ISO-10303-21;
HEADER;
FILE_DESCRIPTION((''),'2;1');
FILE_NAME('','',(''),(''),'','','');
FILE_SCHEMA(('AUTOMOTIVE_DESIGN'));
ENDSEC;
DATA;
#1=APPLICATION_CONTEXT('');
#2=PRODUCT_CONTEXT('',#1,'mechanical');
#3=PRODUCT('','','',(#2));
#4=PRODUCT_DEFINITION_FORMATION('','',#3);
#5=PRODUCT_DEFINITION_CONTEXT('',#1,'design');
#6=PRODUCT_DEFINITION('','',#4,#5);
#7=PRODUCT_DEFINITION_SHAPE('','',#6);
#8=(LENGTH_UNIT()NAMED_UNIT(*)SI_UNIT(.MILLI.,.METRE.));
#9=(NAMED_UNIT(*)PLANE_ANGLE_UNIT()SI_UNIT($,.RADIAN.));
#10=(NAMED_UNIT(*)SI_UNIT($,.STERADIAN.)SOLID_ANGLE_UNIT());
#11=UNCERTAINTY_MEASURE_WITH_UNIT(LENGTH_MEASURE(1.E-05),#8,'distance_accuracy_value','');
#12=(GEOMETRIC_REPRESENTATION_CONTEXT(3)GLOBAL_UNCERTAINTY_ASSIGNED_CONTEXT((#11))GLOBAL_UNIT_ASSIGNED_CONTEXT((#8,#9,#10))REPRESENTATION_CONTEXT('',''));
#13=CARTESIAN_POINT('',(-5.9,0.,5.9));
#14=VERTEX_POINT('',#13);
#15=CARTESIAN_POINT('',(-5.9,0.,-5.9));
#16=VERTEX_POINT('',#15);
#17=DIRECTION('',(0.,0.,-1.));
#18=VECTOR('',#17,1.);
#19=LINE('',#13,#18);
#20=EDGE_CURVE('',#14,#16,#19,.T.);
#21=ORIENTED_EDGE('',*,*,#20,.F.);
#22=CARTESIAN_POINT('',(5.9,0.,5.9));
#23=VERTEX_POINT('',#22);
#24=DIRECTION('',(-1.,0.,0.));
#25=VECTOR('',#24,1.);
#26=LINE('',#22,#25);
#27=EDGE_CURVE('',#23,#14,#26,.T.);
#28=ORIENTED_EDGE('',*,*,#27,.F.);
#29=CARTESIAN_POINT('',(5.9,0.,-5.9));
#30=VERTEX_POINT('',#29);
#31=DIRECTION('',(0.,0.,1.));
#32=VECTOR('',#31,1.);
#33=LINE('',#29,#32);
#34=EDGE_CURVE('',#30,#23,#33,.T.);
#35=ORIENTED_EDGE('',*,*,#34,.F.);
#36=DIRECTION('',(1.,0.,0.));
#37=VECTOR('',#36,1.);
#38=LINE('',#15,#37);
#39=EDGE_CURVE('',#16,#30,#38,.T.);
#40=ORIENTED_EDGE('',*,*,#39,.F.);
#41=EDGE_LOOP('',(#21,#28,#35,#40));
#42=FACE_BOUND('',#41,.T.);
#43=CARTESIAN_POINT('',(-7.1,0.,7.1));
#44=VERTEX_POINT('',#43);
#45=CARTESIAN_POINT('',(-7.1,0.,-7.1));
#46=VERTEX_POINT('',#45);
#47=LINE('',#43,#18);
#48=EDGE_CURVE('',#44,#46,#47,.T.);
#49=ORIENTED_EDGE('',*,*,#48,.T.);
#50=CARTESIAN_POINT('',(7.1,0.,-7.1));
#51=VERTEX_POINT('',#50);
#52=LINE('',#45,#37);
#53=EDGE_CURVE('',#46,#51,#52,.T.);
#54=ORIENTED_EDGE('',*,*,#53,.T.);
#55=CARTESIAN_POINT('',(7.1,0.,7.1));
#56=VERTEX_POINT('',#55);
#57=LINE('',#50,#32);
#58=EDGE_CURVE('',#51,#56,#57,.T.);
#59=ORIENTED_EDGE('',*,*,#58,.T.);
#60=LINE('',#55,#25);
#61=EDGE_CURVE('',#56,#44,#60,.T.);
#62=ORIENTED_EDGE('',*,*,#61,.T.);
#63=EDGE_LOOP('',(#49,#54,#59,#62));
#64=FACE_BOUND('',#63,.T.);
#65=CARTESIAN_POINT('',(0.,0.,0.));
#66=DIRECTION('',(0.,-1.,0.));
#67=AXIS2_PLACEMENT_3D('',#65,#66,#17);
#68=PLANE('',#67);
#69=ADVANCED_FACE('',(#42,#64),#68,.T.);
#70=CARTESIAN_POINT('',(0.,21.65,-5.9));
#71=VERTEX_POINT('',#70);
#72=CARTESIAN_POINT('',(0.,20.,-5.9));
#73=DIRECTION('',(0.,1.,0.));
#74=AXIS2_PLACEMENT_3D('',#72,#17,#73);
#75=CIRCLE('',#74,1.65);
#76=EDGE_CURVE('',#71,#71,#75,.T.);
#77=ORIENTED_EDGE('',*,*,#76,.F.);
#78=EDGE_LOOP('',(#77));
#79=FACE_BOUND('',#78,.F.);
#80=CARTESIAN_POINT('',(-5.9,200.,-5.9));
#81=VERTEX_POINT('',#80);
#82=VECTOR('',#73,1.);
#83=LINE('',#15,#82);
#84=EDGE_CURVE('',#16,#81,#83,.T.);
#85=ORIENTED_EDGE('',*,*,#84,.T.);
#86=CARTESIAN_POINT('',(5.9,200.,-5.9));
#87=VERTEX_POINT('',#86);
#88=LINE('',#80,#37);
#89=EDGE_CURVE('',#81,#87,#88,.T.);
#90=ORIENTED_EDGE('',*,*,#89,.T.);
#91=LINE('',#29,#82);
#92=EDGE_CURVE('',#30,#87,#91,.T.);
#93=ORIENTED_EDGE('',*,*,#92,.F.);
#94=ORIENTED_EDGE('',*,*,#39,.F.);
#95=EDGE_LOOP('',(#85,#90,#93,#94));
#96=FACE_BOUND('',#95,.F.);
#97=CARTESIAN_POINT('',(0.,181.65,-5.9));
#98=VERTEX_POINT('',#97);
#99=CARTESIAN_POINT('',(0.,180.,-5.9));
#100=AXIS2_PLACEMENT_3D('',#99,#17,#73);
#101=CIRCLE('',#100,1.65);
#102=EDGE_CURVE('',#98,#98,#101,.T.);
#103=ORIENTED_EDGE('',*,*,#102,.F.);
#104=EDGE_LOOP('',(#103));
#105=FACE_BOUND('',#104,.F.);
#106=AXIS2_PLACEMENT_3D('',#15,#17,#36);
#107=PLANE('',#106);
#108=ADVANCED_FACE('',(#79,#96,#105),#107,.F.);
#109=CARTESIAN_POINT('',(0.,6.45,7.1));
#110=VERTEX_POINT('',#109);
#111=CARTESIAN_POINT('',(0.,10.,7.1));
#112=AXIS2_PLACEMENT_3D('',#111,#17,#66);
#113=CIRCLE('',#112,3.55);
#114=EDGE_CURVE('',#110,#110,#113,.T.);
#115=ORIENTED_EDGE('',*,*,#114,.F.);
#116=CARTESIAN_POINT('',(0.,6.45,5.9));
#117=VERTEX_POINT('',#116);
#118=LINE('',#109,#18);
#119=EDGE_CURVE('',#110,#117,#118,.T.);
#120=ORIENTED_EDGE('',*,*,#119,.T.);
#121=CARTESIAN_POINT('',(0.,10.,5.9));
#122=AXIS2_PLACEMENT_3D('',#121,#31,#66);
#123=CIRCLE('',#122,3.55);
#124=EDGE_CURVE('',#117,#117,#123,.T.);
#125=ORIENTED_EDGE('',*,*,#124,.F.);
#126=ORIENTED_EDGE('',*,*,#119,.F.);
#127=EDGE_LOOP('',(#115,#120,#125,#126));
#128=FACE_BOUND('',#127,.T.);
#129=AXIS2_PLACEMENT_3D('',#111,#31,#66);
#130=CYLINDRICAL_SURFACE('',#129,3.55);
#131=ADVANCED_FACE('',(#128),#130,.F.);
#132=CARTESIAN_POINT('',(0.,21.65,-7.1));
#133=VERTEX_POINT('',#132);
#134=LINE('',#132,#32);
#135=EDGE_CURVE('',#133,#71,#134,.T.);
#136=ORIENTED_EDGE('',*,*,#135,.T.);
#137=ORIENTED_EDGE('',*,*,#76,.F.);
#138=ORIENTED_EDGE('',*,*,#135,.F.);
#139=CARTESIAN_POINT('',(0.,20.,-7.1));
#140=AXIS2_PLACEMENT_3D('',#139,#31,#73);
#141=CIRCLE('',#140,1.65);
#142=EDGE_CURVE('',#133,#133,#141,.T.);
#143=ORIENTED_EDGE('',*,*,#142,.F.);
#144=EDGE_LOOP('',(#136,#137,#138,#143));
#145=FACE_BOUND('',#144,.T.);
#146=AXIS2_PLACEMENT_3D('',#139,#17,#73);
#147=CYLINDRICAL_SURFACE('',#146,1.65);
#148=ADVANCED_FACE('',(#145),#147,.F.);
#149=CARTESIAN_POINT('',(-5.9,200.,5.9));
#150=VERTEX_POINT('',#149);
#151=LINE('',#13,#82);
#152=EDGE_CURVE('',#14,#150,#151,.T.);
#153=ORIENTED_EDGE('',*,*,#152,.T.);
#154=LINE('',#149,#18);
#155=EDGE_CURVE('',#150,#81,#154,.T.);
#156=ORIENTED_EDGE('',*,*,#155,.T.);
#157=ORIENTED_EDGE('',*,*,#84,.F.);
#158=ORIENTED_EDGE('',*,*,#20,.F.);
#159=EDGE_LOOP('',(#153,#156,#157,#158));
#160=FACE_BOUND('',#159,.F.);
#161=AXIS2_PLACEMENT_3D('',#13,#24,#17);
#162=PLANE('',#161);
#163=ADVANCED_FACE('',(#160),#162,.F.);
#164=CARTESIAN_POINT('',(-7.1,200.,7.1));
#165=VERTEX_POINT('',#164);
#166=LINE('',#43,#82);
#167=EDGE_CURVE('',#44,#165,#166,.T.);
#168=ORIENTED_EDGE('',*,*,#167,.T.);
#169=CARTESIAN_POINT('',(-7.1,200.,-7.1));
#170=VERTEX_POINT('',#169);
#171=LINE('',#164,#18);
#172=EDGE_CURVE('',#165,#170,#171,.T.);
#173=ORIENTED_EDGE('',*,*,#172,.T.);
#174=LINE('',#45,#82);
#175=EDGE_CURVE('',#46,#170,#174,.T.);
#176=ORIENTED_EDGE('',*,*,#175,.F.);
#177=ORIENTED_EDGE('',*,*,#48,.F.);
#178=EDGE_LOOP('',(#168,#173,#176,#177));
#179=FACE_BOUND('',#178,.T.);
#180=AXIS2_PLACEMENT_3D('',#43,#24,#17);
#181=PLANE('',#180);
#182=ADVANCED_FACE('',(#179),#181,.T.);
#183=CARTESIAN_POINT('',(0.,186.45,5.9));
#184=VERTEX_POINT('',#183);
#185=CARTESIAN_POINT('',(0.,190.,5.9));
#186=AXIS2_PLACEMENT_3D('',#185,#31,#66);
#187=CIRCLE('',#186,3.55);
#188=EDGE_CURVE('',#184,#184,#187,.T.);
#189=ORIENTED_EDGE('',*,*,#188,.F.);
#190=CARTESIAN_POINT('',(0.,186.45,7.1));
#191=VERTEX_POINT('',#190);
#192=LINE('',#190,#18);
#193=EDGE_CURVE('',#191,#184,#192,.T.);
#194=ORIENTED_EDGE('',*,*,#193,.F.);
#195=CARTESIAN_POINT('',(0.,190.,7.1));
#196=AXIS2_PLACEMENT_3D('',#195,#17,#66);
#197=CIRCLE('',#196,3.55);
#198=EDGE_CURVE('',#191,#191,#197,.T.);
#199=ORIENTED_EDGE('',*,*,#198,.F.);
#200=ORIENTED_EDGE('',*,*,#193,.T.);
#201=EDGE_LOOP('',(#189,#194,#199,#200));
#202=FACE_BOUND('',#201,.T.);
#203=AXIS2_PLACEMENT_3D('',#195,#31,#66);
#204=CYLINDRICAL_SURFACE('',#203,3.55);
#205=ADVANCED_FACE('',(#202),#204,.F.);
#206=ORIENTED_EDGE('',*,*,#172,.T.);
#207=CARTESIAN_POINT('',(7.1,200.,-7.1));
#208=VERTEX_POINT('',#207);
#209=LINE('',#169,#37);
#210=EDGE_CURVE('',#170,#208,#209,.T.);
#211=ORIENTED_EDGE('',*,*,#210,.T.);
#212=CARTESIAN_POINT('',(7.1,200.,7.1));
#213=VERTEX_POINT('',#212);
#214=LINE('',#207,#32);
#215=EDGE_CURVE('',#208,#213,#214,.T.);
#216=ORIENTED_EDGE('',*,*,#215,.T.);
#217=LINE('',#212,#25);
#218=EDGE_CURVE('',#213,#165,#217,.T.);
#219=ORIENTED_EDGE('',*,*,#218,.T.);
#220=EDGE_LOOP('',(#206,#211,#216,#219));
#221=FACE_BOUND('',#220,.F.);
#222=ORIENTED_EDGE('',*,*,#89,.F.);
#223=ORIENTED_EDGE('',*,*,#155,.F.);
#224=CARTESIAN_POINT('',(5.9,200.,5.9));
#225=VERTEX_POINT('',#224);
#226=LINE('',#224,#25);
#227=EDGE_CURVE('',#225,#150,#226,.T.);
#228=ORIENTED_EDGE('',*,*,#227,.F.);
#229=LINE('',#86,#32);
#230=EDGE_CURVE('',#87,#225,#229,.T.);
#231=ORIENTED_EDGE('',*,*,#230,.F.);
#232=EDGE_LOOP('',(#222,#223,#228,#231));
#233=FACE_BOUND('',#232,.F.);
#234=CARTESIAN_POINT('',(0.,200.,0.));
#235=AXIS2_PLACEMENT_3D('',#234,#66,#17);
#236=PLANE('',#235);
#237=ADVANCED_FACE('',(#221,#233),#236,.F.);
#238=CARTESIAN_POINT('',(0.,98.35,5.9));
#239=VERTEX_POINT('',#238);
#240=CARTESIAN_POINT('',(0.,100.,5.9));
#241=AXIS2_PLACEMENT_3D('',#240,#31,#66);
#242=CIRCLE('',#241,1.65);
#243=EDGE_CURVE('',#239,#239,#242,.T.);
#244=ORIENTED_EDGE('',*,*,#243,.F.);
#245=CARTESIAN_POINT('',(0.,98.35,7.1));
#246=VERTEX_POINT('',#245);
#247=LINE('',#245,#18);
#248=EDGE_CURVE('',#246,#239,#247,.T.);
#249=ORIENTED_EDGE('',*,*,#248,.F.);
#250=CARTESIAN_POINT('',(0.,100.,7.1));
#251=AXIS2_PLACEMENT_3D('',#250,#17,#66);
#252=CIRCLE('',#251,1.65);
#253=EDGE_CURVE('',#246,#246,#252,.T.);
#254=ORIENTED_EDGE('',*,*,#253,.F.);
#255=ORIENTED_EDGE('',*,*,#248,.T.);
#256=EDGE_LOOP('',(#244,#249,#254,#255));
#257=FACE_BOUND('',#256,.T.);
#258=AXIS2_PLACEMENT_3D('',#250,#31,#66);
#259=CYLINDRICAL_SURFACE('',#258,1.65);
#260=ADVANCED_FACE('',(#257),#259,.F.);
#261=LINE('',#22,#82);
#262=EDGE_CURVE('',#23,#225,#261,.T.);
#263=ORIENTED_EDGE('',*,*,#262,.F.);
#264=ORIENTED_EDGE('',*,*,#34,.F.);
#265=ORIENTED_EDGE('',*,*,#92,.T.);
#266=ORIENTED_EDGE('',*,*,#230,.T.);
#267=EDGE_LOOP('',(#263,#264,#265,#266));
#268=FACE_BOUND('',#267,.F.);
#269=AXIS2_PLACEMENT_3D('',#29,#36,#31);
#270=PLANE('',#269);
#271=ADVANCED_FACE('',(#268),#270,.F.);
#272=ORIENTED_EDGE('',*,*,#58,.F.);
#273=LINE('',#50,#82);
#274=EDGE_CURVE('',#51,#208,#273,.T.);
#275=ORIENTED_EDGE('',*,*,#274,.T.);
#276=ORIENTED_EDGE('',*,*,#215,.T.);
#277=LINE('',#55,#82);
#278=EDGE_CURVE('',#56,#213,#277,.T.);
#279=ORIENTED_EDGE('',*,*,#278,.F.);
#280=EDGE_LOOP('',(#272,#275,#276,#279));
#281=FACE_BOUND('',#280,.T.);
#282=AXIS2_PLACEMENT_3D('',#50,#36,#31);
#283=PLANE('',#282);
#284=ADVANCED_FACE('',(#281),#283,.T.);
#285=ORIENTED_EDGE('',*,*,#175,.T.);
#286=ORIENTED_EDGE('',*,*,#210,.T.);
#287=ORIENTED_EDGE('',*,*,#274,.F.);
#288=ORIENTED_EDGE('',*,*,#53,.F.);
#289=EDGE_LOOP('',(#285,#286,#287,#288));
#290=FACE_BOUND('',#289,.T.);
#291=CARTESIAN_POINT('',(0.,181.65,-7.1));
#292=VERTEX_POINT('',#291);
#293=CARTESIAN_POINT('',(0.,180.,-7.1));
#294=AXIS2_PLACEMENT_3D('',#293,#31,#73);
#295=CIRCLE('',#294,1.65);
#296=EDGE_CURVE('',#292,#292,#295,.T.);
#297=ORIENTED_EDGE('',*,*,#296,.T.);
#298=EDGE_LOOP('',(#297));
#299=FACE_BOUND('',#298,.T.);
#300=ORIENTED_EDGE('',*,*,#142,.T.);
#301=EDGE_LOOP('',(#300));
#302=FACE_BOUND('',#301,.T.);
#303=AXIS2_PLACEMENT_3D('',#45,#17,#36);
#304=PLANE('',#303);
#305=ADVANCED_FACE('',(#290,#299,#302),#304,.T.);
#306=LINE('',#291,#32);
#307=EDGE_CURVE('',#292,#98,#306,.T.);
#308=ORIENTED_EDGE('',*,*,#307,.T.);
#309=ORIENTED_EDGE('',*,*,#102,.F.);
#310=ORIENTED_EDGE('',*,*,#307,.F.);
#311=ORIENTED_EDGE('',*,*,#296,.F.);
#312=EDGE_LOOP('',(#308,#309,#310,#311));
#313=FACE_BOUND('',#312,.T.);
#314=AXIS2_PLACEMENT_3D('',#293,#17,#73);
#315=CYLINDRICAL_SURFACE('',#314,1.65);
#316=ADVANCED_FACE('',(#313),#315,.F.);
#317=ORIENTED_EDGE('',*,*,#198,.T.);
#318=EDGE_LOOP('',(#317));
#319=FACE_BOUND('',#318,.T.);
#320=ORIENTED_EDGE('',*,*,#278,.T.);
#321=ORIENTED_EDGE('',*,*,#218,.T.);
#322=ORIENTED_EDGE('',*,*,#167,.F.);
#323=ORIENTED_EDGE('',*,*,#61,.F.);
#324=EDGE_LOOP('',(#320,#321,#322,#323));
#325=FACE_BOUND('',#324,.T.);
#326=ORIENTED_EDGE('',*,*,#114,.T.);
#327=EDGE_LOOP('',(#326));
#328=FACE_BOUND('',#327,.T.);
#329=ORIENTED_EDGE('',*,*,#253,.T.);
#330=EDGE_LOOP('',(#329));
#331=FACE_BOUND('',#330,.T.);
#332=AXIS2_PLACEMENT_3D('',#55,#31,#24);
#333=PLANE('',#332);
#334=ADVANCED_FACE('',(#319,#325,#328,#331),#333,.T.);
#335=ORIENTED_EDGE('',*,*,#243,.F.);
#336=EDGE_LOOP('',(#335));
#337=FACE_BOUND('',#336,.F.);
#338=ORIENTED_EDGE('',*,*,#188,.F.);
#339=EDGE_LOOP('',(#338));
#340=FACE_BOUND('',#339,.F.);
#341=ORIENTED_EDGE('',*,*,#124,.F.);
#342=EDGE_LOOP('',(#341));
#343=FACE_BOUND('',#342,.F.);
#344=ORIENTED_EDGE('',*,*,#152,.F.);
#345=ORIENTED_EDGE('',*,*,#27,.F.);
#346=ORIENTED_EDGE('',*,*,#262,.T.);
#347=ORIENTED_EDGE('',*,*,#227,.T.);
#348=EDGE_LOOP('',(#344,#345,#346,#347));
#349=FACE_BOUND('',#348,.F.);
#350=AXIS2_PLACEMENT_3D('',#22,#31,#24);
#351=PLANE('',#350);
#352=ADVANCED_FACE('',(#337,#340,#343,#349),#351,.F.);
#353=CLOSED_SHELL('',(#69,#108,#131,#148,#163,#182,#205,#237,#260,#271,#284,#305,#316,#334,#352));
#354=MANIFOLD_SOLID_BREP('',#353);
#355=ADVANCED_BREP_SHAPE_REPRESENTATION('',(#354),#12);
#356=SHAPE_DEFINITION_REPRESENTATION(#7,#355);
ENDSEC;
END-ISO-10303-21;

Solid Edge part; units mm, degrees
sketch "Sketch1" plane through (0, 0, 0) normal (0, -1, 0) x (1, 0, 0)
  line L0 (-7.1, -7.1) -> (7.1, -7.1)
  line L1 (7.1, -7.1) -> (7.1, 7.1)
  line L2 (7.1, 7.1) -> (-7.1, 7.1)
  line L3 (-7.1, 7.1) -> (-7.1, -7.1)
  line L4 (-5.9, -5.9) -> (5.9, -5.9)
  line L5 (5.9, -5.9) -> (5.9, 5.9)
  line L6 (5.9, 5.9) -> (-5.9, 5.9)
  line L7 (-5.9, 5.9) -> (-5.9, -5.9)
extrude "Extrusionsausprägung_1" add sketch "Sketch1" against normal blind 200
hole "Bohrung_1" at (0, 100, 7.1) direction (0, 0, -1) diameter 3.3 end up to next
hole "Hole1" at (0, 10, 7.1) direction (0, 0, -1) diameter 3.3 end up to next
hole "Hole2" at (0, 190, 7.1) direction (0, 0, -1) diameter 3.3 end up to next
hole "Bohrung_4" at (0, 10, 7.1) direction (0, 0, -1) diameter 7.1 end up to next
hole "Hole3" at (0, 190, 7.1) direction (0, 0, -1) diameter 7.1 end up to next
hole "Bohrung_8" at (0, 20, -7.1) direction (0, 0, 1) diameter 3.3 end up to next
hole "Hole4" at (0, 180, -7.1) direction (0, 0, 1) diameter 3.3 end up to next
properties material "Aluminium, 2024-T4"
